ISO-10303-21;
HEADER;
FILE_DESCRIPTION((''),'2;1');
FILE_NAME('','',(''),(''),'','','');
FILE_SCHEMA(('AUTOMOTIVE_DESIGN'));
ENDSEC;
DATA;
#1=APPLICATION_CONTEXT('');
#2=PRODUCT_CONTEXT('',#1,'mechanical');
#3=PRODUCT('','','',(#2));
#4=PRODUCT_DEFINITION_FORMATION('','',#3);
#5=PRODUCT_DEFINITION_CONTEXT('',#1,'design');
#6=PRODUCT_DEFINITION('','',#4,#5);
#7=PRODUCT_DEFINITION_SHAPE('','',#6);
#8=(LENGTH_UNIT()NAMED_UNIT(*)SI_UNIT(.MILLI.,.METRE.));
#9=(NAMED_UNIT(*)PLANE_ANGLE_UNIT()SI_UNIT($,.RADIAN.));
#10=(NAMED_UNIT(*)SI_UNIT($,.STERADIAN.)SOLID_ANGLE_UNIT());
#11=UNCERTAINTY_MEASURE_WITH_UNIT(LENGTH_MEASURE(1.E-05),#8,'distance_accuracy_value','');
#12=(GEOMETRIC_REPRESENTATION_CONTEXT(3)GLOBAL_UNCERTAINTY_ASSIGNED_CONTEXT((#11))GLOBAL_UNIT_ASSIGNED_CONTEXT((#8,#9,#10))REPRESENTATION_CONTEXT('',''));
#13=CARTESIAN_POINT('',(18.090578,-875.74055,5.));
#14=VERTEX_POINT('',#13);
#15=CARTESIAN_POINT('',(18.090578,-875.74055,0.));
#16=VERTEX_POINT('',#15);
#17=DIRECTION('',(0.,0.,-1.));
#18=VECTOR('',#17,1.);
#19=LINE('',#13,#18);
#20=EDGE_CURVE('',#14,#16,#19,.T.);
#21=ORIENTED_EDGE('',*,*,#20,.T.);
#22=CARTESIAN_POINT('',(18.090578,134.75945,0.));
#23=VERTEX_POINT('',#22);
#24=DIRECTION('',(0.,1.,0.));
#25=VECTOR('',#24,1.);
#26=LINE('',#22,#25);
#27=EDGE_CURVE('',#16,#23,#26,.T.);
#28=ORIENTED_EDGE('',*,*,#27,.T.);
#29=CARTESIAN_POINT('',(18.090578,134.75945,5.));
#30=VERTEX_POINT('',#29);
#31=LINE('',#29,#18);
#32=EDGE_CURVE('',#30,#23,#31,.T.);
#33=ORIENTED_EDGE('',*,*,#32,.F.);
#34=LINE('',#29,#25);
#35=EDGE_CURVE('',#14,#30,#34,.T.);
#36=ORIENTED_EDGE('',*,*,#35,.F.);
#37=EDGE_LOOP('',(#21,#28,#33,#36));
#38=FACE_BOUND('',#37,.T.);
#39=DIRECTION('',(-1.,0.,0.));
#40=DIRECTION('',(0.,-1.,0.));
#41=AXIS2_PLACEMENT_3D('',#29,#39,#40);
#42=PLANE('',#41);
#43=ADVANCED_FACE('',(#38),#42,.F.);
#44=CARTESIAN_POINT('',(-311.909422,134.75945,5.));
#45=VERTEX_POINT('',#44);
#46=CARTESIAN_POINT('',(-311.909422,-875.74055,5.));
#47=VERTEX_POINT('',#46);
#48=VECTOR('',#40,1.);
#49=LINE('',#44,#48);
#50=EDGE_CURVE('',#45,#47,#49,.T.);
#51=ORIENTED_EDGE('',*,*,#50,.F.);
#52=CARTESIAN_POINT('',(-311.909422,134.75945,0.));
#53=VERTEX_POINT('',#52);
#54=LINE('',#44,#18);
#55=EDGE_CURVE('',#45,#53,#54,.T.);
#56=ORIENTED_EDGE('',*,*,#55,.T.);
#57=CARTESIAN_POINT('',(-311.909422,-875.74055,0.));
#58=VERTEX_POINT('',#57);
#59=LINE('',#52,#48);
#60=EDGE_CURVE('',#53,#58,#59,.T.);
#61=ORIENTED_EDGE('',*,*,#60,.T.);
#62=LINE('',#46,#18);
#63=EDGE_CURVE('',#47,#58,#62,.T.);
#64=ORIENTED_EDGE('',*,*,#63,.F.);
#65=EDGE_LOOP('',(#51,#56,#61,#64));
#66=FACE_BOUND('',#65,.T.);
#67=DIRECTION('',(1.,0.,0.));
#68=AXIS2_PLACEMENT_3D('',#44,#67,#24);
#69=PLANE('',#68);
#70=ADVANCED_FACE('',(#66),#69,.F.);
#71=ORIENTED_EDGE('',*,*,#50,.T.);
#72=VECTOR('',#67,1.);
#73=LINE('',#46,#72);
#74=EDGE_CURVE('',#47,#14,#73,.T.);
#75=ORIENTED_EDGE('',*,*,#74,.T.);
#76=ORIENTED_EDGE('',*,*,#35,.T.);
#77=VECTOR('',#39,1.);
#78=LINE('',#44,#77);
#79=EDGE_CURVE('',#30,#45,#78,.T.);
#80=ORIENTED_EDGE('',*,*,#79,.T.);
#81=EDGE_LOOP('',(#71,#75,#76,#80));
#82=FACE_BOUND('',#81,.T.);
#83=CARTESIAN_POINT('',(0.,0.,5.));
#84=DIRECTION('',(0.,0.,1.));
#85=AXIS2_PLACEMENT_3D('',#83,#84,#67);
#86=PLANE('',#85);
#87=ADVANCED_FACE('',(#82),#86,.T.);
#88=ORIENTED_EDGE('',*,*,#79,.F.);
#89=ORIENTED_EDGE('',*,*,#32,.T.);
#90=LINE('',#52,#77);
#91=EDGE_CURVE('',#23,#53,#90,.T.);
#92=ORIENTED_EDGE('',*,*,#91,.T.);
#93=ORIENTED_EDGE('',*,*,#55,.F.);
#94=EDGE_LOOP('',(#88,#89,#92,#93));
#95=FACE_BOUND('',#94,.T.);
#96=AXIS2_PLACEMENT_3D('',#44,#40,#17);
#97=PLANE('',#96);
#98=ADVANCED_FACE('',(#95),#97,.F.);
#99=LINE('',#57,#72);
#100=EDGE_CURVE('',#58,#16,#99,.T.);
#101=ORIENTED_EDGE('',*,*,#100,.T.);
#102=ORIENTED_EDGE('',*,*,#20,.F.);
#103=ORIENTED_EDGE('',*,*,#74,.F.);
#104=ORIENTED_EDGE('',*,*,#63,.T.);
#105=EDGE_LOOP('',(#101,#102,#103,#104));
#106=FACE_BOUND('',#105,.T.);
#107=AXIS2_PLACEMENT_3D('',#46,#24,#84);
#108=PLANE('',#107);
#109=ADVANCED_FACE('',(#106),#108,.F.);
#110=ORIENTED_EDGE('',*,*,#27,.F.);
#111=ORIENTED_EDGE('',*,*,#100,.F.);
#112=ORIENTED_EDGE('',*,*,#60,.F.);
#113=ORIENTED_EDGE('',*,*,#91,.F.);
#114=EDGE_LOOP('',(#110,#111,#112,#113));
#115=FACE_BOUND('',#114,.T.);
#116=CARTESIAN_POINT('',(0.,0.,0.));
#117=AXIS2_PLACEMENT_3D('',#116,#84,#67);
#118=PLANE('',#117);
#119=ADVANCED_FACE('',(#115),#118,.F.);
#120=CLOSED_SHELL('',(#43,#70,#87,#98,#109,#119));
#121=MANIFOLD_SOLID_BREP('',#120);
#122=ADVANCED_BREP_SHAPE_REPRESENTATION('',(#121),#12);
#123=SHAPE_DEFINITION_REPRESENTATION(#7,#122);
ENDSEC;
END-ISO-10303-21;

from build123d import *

# Parameters (mm, degrees)
ESQUISSE1_W        = 330
ESQUISSE1_H        = 1010.5
BOSS_EXTRU_1_DEPTH = 5


with BuildPart() as part:
    # Esquisse1 → Boss.-Extru.1 (new body)
    with BuildSketch(Plane.XY):
        with Locations((-146.909422309, -370.490549828)):
            Rectangle(ESQUISSE1_W, ESQUISSE1_H)
    extrude(amount=BOSS_EXTRU_1_DEPTH)


solid = part.part
